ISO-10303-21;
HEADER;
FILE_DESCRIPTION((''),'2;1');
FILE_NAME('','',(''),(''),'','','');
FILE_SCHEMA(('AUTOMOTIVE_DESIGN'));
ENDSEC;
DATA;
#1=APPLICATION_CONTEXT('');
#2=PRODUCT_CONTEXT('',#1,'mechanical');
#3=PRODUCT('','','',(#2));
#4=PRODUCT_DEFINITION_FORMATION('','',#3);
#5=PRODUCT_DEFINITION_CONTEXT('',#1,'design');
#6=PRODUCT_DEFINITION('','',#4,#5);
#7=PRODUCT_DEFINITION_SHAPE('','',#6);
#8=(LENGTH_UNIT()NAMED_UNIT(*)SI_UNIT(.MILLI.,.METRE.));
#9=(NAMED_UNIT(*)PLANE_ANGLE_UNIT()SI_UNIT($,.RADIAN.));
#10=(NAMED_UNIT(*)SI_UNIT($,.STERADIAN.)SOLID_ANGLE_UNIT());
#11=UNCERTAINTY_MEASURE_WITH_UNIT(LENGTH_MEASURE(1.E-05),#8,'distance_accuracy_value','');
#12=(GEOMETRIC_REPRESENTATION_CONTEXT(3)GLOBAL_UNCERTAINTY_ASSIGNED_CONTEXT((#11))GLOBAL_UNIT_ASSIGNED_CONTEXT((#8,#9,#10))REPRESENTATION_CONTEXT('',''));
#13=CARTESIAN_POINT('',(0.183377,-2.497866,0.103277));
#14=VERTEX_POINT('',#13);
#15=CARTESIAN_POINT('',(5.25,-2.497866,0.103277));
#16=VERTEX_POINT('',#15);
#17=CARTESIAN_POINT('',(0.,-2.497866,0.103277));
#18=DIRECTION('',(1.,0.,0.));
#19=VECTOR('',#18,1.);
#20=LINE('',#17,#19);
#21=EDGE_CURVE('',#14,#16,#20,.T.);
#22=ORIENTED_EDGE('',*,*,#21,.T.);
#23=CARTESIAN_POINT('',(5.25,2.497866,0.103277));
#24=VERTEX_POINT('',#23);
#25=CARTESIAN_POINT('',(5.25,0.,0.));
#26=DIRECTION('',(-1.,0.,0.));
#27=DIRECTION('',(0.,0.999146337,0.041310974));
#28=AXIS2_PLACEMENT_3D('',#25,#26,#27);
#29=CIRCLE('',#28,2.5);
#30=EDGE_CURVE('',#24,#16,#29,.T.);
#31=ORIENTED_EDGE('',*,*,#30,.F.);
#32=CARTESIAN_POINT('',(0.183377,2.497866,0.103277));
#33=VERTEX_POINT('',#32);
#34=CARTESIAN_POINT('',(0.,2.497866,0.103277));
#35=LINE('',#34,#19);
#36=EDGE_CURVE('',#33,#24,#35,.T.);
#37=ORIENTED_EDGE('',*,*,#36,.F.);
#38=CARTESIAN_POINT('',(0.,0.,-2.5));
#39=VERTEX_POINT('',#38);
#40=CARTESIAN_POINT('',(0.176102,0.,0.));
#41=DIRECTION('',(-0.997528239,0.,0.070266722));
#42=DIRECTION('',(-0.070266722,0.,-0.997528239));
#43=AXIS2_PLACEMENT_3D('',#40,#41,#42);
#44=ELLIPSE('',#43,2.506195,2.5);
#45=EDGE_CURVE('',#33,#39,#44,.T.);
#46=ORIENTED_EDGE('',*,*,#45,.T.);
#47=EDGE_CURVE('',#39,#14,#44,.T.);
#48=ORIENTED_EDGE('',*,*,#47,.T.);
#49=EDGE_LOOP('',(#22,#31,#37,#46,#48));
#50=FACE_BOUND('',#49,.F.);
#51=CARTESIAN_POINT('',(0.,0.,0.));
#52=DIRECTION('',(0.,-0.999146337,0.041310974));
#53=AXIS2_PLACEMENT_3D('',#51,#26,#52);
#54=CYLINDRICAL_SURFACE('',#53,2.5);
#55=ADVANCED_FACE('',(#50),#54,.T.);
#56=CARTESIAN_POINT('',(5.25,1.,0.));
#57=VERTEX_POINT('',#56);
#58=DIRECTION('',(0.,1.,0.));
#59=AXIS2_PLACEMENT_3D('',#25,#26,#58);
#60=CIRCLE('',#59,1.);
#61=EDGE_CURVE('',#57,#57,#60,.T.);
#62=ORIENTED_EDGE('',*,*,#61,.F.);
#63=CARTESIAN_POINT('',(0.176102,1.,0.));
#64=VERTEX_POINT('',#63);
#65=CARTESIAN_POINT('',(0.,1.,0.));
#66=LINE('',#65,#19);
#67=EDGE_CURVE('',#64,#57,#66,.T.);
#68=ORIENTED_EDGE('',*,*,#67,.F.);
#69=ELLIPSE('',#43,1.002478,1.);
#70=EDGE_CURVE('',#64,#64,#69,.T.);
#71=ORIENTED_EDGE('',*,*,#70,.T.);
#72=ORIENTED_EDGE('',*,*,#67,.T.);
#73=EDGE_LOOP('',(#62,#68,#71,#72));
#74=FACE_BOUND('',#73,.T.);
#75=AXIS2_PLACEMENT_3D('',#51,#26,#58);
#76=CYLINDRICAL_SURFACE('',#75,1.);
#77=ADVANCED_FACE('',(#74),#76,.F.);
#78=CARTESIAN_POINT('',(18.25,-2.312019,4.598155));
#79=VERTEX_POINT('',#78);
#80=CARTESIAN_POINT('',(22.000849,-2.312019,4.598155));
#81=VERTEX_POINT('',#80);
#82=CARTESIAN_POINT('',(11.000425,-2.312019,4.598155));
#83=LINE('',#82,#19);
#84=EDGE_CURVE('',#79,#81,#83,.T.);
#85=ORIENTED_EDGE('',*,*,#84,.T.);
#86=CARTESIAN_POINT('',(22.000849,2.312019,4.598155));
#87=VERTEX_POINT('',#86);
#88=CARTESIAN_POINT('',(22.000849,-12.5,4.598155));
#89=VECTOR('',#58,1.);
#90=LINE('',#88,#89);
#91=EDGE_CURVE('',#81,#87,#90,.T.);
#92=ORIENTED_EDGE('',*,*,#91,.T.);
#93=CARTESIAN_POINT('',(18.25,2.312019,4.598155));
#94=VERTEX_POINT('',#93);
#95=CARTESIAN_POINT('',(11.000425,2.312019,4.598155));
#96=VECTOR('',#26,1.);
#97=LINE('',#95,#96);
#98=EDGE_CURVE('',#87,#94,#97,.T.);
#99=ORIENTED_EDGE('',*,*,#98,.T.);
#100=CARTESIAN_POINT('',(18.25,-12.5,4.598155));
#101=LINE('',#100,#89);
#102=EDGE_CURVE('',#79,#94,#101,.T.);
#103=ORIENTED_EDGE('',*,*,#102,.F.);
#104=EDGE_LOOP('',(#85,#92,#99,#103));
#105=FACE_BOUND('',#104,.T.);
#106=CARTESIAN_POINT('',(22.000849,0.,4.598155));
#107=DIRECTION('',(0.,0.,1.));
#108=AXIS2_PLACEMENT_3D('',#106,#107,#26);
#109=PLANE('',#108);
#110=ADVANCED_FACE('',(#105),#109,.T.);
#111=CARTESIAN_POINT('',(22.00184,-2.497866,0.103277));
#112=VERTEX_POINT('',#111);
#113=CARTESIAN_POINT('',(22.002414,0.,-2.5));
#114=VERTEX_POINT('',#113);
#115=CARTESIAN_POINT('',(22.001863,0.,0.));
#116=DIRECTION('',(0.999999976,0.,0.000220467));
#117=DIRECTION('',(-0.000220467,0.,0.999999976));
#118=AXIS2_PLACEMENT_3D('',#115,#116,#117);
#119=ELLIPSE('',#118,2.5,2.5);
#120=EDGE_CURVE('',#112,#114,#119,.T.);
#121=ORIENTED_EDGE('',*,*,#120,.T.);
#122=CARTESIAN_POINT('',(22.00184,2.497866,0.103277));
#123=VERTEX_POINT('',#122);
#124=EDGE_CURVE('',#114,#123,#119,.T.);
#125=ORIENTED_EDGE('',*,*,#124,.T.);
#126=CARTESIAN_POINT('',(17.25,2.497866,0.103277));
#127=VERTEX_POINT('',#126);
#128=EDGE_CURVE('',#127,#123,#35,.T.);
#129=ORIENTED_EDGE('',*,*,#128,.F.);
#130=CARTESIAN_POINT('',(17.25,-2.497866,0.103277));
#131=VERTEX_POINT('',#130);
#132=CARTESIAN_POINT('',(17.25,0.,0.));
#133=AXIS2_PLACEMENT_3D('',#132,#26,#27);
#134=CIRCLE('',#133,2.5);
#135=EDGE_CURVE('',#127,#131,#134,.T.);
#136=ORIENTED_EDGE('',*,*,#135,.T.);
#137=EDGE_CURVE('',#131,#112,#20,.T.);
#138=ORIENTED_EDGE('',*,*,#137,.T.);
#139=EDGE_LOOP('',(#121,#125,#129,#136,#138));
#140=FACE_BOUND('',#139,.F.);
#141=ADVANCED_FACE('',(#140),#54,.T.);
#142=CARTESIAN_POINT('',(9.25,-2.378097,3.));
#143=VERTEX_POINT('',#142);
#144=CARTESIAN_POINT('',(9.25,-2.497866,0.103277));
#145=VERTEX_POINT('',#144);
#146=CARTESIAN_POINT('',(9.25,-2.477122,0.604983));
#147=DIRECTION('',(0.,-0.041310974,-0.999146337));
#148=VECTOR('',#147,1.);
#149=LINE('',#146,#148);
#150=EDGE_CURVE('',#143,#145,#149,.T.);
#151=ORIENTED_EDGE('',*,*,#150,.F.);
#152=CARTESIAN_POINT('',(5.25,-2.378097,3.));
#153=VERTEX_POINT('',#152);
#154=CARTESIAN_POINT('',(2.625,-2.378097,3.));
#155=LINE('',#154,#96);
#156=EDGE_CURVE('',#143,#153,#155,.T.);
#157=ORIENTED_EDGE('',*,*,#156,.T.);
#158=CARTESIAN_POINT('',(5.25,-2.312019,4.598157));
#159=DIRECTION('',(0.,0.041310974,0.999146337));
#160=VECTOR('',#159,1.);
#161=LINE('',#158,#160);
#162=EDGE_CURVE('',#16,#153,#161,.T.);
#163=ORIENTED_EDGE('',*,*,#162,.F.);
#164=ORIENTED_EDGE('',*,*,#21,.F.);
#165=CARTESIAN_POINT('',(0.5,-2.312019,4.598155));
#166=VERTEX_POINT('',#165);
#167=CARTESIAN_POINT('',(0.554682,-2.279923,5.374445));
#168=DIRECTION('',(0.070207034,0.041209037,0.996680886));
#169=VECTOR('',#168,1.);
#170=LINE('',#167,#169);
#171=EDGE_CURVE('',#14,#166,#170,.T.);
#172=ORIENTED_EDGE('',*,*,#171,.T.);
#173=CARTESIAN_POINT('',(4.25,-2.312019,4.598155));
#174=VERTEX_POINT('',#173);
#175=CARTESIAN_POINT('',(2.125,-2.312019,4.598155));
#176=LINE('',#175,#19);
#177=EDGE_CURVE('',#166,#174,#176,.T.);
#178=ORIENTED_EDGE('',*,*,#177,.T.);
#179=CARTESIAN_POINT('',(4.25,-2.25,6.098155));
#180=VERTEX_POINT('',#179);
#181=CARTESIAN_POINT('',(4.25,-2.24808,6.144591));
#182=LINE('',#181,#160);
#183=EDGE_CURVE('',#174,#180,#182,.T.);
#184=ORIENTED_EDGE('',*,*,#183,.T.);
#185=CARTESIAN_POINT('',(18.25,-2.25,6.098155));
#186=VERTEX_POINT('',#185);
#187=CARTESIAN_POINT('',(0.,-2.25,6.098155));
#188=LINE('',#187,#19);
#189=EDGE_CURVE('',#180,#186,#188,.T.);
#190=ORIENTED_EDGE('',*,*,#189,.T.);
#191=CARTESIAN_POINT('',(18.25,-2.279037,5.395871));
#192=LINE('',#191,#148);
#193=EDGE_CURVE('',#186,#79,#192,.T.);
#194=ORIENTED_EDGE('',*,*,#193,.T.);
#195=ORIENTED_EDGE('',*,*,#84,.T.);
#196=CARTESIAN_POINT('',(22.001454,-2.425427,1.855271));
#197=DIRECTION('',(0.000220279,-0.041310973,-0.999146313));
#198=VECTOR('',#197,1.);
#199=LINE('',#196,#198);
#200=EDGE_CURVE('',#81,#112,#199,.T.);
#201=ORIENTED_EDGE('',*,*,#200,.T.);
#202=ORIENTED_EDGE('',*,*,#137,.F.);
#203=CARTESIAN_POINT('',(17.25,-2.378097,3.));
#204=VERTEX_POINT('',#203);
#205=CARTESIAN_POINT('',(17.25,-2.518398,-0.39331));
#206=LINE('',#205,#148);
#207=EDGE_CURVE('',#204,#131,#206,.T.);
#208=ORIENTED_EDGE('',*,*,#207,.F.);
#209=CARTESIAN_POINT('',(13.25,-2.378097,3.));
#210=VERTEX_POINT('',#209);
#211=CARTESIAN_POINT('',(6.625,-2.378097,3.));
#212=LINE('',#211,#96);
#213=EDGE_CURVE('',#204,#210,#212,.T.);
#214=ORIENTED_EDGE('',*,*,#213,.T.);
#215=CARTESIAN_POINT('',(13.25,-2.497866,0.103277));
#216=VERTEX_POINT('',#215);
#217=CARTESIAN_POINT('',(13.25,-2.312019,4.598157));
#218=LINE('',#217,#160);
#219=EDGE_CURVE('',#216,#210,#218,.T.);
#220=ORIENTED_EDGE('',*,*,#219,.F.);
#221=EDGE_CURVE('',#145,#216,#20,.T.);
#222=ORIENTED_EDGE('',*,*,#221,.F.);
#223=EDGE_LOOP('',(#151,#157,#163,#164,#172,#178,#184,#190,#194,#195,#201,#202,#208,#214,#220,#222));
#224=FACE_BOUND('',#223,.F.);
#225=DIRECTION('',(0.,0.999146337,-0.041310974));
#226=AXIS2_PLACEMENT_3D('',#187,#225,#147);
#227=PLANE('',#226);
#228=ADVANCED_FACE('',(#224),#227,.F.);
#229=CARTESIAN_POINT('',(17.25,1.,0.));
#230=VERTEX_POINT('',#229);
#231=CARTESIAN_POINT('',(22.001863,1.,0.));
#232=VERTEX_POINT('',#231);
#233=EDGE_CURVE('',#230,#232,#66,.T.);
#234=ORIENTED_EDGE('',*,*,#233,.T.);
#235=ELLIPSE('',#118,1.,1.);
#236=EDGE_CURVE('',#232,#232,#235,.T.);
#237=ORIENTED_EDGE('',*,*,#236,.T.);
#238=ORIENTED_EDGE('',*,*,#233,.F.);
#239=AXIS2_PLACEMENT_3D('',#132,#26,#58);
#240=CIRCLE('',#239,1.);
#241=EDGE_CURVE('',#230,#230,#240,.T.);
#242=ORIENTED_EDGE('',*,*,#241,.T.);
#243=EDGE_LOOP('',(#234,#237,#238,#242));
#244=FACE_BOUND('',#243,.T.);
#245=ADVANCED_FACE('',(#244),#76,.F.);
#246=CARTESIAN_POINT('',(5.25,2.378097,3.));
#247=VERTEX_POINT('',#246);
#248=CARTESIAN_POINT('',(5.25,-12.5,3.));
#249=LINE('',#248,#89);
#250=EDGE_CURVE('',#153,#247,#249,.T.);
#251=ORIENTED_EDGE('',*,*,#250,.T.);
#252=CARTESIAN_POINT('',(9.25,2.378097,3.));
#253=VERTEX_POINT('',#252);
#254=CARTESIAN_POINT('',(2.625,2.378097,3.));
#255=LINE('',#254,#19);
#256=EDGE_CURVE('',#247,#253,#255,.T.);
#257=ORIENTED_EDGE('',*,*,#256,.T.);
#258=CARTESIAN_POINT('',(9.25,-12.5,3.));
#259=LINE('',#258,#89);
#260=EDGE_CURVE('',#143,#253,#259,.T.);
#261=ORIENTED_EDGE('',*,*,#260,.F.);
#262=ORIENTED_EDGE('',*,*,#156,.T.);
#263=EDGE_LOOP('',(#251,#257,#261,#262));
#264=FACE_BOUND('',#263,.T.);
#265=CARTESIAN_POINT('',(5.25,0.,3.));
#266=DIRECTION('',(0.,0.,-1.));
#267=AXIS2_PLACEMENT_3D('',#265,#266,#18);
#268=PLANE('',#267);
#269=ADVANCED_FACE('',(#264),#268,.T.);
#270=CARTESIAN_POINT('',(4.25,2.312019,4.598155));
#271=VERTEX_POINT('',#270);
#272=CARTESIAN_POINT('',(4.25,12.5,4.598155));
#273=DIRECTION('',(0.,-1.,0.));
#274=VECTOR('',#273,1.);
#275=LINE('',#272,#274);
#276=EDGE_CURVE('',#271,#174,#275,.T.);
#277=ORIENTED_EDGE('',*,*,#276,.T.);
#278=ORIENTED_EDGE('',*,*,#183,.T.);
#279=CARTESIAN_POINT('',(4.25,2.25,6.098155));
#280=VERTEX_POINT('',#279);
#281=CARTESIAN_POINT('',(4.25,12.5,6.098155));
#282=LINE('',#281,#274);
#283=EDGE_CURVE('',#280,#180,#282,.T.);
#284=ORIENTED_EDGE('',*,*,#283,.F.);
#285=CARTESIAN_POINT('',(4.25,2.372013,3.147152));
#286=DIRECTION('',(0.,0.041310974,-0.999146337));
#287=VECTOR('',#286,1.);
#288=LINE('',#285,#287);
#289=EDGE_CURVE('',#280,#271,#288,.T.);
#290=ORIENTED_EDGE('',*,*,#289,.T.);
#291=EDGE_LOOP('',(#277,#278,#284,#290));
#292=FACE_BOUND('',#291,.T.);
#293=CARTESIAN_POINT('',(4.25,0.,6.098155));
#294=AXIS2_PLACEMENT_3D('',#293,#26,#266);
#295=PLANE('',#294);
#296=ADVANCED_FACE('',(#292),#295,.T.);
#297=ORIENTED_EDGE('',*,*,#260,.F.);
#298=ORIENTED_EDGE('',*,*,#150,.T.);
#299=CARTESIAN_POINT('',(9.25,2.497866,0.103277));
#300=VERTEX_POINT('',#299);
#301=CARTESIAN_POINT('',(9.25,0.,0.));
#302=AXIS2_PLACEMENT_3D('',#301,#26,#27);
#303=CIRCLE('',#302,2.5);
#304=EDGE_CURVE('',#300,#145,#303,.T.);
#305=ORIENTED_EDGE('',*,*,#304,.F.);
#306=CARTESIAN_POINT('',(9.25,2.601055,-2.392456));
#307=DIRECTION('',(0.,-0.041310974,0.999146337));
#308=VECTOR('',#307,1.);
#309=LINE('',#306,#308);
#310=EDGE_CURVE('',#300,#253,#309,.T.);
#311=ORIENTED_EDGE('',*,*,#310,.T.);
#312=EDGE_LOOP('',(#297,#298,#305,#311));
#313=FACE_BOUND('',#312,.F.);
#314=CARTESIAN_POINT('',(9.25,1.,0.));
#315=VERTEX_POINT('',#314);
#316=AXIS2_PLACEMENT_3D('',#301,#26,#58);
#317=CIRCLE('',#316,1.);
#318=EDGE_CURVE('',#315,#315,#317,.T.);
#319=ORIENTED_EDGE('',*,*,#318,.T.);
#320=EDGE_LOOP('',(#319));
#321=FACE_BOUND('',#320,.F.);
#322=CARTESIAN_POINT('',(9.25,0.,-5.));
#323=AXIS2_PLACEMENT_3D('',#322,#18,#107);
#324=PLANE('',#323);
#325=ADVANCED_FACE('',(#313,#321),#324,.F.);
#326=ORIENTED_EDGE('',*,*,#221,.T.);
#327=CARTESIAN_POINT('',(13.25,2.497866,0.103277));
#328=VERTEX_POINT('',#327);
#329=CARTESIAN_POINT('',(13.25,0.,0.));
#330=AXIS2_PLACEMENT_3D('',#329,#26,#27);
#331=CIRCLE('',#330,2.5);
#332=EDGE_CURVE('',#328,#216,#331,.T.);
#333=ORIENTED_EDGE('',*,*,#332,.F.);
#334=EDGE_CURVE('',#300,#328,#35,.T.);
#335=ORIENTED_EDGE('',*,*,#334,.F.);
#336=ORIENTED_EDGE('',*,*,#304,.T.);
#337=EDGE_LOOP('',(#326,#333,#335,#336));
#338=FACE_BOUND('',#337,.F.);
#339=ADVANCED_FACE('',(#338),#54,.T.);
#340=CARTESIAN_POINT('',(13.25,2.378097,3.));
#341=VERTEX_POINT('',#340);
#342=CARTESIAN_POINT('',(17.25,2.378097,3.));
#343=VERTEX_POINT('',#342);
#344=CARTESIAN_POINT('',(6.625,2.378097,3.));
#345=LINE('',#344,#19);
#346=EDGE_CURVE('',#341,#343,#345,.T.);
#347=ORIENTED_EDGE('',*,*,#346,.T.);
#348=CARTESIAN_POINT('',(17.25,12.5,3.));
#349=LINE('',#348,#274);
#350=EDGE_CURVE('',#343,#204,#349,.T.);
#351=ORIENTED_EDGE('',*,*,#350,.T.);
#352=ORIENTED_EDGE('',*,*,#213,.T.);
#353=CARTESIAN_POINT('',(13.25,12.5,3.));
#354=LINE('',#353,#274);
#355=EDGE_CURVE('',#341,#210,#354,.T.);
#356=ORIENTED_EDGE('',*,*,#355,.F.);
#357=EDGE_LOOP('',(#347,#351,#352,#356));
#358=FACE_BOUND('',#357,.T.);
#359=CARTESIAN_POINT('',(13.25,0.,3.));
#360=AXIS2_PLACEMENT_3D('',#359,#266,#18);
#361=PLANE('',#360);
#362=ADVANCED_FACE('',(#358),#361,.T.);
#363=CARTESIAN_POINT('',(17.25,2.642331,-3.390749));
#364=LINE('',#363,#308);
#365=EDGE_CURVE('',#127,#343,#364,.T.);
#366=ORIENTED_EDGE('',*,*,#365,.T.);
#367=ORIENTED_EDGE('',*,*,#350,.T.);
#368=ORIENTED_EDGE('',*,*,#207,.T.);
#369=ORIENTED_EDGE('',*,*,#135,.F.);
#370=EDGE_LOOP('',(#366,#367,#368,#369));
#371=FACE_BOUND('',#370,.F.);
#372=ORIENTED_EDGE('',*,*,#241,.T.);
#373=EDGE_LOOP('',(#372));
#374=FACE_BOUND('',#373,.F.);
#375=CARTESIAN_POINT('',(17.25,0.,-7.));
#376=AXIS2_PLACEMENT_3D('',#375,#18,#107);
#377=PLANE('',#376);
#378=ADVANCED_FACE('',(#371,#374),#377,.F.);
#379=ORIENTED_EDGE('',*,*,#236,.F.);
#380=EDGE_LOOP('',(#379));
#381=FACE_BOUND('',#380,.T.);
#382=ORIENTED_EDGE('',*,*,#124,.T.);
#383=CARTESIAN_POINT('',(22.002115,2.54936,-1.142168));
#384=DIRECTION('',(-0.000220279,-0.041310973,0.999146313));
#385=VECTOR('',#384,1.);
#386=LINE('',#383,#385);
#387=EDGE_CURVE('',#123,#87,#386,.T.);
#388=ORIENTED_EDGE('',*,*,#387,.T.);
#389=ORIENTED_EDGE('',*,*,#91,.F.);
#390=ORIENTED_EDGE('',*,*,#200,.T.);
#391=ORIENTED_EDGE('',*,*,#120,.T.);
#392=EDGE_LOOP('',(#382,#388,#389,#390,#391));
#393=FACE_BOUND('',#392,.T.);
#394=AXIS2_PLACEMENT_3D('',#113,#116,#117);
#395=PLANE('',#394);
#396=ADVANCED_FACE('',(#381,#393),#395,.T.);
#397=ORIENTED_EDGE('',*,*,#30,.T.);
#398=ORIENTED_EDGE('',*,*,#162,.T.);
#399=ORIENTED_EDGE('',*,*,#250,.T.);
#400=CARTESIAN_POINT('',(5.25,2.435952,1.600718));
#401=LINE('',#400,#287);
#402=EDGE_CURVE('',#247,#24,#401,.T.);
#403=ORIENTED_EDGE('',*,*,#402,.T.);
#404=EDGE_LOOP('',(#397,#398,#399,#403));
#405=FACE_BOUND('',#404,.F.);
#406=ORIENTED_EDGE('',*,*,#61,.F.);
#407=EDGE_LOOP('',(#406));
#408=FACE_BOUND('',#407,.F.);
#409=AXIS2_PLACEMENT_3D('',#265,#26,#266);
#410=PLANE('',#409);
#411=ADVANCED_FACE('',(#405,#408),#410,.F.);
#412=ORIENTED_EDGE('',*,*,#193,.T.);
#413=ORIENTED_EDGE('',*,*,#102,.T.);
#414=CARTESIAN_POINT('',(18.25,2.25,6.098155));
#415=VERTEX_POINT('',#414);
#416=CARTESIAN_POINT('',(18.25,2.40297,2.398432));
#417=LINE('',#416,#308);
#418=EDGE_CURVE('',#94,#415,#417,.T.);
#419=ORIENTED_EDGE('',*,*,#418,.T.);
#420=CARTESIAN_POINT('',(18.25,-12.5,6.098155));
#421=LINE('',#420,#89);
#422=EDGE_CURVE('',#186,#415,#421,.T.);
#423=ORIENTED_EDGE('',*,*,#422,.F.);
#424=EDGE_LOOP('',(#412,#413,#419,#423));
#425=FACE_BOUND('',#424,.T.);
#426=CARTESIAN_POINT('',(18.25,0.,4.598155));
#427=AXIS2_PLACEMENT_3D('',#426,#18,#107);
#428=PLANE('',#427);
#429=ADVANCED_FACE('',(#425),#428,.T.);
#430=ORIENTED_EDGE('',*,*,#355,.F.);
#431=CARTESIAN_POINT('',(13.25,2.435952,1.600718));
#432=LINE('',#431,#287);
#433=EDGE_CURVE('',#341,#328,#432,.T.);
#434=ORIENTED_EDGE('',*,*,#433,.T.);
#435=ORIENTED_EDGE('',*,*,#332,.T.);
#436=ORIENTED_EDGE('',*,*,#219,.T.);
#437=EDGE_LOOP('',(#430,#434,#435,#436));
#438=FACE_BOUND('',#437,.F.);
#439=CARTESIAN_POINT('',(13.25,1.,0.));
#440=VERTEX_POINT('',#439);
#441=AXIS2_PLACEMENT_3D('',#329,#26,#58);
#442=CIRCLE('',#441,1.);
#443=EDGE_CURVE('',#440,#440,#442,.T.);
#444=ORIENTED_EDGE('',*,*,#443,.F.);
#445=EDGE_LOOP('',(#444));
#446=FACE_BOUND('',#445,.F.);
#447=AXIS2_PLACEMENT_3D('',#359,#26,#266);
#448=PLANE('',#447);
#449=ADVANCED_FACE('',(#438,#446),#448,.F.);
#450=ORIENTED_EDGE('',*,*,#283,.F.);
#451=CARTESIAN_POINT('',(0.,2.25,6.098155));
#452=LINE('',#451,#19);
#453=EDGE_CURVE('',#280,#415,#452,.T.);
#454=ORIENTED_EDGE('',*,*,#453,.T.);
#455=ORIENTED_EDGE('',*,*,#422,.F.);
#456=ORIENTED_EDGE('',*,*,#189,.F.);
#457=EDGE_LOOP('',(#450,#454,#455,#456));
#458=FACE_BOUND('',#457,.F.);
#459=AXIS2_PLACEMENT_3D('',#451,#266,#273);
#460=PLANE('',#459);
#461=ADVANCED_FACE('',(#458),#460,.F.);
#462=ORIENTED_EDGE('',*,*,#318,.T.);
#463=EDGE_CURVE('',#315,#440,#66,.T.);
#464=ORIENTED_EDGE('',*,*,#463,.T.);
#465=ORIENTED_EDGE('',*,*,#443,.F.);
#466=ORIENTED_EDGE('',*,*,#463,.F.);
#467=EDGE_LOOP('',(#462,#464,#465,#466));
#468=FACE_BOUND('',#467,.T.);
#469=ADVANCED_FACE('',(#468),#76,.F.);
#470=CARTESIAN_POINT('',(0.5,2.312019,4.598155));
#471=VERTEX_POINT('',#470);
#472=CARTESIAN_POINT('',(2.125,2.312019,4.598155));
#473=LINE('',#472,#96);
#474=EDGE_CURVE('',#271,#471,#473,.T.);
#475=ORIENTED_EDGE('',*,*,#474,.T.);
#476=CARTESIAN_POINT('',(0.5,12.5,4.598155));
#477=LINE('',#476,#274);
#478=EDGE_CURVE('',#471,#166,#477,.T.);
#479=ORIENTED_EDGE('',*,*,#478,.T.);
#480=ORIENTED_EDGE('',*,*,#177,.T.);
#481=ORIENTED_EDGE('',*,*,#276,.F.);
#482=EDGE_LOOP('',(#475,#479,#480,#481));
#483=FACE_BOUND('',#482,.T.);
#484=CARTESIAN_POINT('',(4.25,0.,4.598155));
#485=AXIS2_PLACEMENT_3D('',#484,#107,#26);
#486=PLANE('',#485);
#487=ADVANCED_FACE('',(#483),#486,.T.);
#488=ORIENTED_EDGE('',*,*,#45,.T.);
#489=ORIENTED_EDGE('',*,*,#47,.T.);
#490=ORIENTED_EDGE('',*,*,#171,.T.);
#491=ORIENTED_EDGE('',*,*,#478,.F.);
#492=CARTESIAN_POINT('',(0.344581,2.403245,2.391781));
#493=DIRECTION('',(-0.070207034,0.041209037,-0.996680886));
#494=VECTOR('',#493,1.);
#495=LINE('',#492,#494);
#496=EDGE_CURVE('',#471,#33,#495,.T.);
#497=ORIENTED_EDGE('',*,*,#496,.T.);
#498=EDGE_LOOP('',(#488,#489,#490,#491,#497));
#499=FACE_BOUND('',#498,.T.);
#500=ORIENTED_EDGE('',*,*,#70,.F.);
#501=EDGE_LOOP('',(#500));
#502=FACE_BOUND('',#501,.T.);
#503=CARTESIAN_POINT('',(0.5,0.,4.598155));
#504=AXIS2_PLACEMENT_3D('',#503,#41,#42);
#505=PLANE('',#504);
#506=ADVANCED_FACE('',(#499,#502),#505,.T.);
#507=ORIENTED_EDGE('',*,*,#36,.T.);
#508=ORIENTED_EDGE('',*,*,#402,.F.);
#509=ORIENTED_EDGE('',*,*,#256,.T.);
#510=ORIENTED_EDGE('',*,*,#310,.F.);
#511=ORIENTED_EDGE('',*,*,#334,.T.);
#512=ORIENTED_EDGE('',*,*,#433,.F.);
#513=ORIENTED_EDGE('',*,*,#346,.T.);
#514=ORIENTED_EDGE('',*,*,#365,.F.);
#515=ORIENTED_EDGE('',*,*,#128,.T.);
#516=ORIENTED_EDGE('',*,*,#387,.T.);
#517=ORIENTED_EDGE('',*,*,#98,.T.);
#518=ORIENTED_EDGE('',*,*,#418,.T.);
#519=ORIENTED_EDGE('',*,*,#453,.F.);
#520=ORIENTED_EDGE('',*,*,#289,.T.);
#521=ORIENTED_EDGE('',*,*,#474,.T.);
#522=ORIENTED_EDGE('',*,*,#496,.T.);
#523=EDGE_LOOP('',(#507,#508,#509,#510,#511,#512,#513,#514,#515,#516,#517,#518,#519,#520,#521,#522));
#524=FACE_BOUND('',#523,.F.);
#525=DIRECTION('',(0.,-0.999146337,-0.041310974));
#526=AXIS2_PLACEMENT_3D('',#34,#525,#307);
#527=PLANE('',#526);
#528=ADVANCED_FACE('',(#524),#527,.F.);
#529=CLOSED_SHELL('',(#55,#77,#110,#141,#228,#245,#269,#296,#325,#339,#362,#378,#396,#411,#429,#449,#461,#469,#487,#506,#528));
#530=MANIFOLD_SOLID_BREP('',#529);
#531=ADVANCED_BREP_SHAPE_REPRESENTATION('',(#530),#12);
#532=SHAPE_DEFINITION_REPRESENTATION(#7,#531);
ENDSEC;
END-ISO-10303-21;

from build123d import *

# Parameters (mm, degrees)
F0_R     = 1
F1_DEPTH = 22.5
F2_W     = 4
F2_H     = 5.5
F3_DEPTH = 12.5
F4_W     = 4
F4_H     = 2.8967225653
F4_H_2   = 2.6032774347
F5_DEPTH = 12.5


with BuildPart() as f1:
    # F0 (on Right) → F1 (new body)
    with BuildSketch(Plane.YZ):
        with BuildLine():
            Line((-2.25, 6.0981554588), (-2.4978658434, 0.1032774347))
            ThreePointArc((-2.4978658434, 0.1032774347), (0, -2.5), (2.4978658434, 0.1032774347))
            Line((2.4978658434, 0.1032774347), (2.25, 6.0981554588))
            Line((2.25, 6.0981554588), (-2.25, 6.0981554588))
        make_face()
        Circle(F0_R, mode=Mode.SUBTRACT)
    extrude(amount=F1_DEPTH)

    # F2 (on Front) → F3 (intersect, symmetric)
    with BuildSketch(Plane.XZ):
        Polygon((18.25, 6.0981554588), (4.25, 6.0981554588), (4.25, 4.5981554588), (0.5, 4.5981554588), (0, -2.5), (5.25, -2.5), (5.25, 3), (9.25, 3), (9.25, -2.5), (13.25, -2.5), (13.25, 3), (17.25, 3), (17.25, -2.5), (22.0024140141, -2.5), (22.0008491054, 4.5981554588), (18.25, 4.5981554588), align=None)
        Polygon((5.25, -2.5), (0, -2.5), (5.25, -3.4987433143), align=None)
        Polygon((21.3468169383, -4.6197534539), (22.0024140141, -2.5), (17.25, -2.5), (17.25, -4.6197534539), align=None)
        with Locations((7.25, 0.25)):
            Rectangle(F2_W, F2_H)
        with Locations((15.25, 0.25)):
            Rectangle(F2_W, F2_H)
        Polygon((13.25, -2.5), (9.25, -2.5), (9.25, -3.4987433143), (13.25, -4.6197534539), align=None)
    extrude(amount=F3_DEPTH, both=True, mode=Mode.INTERSECT)

    # F4 (on Front) → F5 (cut, symmetric)
    with BuildSketch(Plane.XZ):
        with Locations((7.25, 1.5516387174)):
            Rectangle(F4_W, F4_H)
        Polygon((9.25, -2.5), (5.25, -2.5), (5.25, -7), (17.25, -7), (17.25, -2.5), (13.25, -2.5), (13.25, -5), (9.25, -5), align=None)
        with Locations((7.25, -1.1983612826)):
            Rectangle(F4_W, F4_H_2)
        with Locations((15.25, 1.5516387174)):
            Rectangle(F4_W, F4_H)
        with Locations((15.25, -1.1983612826)):
            Rectangle(F4_W, F4_H_2)
    extrude(amount=F5_DEPTH, both=True, mode=Mode.SUBTRACT)


solid = f1.part
